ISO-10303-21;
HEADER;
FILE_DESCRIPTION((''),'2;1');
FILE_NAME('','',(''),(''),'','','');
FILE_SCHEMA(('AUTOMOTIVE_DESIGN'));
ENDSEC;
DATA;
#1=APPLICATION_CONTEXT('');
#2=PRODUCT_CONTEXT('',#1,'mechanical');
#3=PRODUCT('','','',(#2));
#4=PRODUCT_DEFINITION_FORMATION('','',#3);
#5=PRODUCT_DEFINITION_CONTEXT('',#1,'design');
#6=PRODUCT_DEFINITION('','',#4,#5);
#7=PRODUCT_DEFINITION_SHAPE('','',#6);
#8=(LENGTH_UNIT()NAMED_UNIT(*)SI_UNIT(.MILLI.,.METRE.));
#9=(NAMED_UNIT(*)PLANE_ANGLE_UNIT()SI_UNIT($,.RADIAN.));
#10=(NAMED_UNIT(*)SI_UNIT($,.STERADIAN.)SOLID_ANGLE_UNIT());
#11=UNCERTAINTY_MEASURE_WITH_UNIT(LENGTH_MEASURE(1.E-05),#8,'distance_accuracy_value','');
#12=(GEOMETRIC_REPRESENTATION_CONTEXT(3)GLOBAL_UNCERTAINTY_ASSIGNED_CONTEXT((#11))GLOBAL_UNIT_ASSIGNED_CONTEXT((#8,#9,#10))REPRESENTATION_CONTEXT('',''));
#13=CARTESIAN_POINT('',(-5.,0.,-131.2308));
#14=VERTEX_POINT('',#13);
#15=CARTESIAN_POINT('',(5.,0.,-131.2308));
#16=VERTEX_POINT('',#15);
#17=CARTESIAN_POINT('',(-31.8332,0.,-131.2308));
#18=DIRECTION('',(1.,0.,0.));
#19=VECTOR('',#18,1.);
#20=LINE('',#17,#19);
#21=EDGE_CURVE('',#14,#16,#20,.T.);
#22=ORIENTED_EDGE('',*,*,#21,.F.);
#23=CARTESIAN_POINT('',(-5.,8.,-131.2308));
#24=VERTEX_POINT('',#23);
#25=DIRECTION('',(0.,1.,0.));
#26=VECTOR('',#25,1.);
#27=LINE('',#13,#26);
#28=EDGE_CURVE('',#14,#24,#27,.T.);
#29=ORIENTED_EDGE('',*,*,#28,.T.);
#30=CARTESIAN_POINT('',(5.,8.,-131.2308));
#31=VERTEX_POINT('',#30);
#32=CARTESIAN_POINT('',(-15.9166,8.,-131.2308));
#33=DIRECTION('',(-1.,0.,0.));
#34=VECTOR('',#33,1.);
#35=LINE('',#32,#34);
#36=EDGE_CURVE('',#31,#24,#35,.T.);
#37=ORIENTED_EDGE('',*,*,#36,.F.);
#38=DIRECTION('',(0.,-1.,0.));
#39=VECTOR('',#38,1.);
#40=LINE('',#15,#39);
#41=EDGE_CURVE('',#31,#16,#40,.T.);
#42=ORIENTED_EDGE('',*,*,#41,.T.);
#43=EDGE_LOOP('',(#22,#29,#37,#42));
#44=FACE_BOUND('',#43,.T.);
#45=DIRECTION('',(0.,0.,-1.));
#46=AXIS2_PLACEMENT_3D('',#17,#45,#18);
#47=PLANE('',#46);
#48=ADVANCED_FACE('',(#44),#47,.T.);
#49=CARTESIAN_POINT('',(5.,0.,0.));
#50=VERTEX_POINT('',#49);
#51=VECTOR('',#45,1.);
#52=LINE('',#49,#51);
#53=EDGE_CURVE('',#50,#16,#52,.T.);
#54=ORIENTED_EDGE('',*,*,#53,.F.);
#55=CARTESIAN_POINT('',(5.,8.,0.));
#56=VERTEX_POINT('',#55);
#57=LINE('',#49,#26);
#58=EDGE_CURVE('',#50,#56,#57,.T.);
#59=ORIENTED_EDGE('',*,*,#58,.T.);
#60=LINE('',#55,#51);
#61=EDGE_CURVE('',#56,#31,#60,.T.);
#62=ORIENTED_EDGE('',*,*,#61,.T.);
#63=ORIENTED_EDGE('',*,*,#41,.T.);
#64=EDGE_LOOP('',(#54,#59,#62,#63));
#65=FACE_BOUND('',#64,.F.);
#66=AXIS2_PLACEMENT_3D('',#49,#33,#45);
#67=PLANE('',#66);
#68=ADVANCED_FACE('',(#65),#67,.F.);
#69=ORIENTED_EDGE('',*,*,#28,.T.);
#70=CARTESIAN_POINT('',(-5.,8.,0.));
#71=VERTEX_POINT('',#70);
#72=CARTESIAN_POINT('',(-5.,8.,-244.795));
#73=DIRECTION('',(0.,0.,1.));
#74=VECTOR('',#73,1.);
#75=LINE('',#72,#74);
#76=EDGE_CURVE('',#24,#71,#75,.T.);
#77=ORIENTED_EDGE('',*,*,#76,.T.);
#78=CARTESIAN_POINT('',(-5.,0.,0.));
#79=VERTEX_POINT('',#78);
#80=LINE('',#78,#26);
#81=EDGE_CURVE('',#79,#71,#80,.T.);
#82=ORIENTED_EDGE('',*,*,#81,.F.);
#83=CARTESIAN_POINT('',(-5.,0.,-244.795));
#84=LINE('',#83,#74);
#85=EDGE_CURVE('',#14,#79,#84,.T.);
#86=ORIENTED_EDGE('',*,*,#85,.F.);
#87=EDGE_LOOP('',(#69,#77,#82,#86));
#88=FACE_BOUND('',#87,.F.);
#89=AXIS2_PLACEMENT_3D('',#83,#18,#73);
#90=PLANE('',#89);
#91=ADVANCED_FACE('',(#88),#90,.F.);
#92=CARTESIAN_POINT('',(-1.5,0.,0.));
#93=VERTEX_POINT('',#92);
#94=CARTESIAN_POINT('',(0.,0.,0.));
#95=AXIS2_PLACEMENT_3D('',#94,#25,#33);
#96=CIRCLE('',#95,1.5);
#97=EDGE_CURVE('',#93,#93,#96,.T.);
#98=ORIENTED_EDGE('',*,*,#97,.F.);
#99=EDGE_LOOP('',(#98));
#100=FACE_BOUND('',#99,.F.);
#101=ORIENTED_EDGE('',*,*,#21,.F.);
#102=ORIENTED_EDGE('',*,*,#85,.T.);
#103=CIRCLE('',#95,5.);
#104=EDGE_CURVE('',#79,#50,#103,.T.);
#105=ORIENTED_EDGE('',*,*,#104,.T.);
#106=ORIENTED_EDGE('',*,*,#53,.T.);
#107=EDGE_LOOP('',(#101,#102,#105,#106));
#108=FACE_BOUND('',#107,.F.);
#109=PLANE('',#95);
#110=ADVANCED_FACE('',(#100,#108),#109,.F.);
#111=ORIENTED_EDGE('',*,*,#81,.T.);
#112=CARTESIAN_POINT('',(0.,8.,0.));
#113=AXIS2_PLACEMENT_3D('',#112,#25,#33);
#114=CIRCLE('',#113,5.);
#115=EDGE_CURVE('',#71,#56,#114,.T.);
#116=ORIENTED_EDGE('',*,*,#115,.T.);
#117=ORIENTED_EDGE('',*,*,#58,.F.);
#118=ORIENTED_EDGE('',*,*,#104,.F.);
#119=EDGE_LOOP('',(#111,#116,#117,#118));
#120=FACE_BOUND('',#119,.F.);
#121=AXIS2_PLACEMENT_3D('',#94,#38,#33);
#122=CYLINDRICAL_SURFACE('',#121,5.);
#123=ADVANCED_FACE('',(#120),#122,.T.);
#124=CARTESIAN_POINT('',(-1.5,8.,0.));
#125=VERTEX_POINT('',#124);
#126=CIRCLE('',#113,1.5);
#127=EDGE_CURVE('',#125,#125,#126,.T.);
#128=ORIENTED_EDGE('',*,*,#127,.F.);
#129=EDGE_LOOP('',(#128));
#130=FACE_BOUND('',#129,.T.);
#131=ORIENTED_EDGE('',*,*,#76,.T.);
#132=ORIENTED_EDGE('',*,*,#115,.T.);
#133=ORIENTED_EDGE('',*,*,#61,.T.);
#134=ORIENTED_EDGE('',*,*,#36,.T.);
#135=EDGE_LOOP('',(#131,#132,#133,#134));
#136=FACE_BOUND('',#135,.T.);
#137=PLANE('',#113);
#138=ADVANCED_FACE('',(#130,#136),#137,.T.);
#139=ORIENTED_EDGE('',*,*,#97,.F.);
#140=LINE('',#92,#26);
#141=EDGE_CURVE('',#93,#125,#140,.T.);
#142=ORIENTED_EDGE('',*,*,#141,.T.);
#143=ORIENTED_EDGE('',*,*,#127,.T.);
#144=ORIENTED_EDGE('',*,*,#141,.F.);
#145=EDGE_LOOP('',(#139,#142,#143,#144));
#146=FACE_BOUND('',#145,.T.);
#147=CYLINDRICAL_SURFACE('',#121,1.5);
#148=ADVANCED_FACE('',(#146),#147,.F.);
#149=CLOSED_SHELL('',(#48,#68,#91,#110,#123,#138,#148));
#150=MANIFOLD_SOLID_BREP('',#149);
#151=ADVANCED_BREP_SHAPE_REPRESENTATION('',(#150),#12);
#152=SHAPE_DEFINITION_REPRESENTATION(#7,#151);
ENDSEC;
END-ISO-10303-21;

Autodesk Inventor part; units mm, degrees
ref_plane "YZ Plane" through (0, 0, 0) normal (1, 0, 0) x (0, 1, 0)
ref_plane "XZ Plane" through (0, 0, 0) normal (0, 1, 0) x (-1, 0, 0)
ref_plane "XY Plane" through (0, 0, 0) normal (0, 0, 1) x (1, 0, 0)
sketch "Sketch1" plane through (0, 0, 0) normal (0, 1, 0) x (-1, 0, 0)
  line L0 (0, 0) -> (0, -244.795) construction
  line L1 (-5, 0) -> (-5, -244.795)
  line L2 (5, -244.795) -> (5, 0)
  arc A0 (5, 0) -> (-5, 0) centre (0, 0) ccw
  arc A1 (-5, -244.795) -> (5, -244.795) centre (0, -244.795) ccw
  circle A2 centre (0, 0) radius 1.5
  circle A3 centre (0, -244.795) radius 1.5
  point P0 (0, -122.3975)
  dimension "d0" = 244.795
  dimension "d1" = 10
  dimension "d2" = 3
  dimension "d3" = 3
extrude "Extrusion1" add sketch "Sketch1" along normal blind 8
sketch "Sketch2" plane through (0, 8, 0) normal (0, 1, 0) x (1, 0, 0)
  arc A0 (5, 244.795) -> (-5, 244.795) centre (0, 244.795) ccw projected
  line L0 (-5, 244.795) -> (-5, 0) projected
  arc A1 (-5, 0) -> (5, 0) centre (0, 0) ccw projected
  line L1 (5, 0) -> (5, 244.795) projected
  circle A2 centre (0, 244.795) radius 1.5 projected
  circle A3 centre (0, 0) radius 1.5 projected
  circle A4 centre (0, 244.795) radius 5
  point P0 (-5, 244.795)
  dimension "d12" = 10
extrude "Extrusion2" add sketch "Sketch2" along normal blind 12 contours A4 A0
sketch "Sketch3" plane through (0, 0, 0) normal (0, -1, 0) x (1, 0, 0)
  arc A0 (-5, -244.795) -> (5, -244.795) centre (0, -244.795) ccw projected
  line L0 (5, 0) -> (5, -244.795) projected
  arc A1 (5, 0) -> (-5, 0) centre (0, 0) ccw projected
  line L1 (-5, -244.795) -> (-5, 0) projected
  circle A2 centre (0, -244.795) radius 1.5 projected
  circle A3 centre (0, 0) radius 1.5 projected
sketch "Sketch4" plane through (0, 20, -244.795) normal (0, 1, 0) x (1, 0, 0)
  circle A0 centre (0, 0) radius 10
  point P0 (0, -244.795)
  dimension "d15" = 20
extrude "Extrusion3" add sketch "Sketch4" against normal blind 3
sketch "Sketch5" plane through (0, 0, 0) normal (0, -1, 0) x (1, 0, 0)
  line L0 (23.0807, 11.4027) -> (-31.8332, 11.4027)
  line L1 (-31.8332, 11.4027) -> (-31.8332, -131.2308)
  line L2 (-31.8332, -131.2308) -> (23.0807, -131.2308)
  line L3 (23.0807, -131.2308) -> (23.0807, 11.4027)
  line L4 (55.5298, 55.2625) -> (-102.4368, 55.2625)
  line L5 (-102.4368, 55.2625) -> (-102.4368, -369.4288)
  line L6 (-102.4368, -369.4288) -> (55.5298, -369.4288)
  line L7 (55.5298, -369.4288) -> (55.5298, 55.2625)
  point P0 (0, 0)
extrude "Extrusion4" cut sketch "Sketch5" against normal blind 100
properties part number "Part_12_p1"
